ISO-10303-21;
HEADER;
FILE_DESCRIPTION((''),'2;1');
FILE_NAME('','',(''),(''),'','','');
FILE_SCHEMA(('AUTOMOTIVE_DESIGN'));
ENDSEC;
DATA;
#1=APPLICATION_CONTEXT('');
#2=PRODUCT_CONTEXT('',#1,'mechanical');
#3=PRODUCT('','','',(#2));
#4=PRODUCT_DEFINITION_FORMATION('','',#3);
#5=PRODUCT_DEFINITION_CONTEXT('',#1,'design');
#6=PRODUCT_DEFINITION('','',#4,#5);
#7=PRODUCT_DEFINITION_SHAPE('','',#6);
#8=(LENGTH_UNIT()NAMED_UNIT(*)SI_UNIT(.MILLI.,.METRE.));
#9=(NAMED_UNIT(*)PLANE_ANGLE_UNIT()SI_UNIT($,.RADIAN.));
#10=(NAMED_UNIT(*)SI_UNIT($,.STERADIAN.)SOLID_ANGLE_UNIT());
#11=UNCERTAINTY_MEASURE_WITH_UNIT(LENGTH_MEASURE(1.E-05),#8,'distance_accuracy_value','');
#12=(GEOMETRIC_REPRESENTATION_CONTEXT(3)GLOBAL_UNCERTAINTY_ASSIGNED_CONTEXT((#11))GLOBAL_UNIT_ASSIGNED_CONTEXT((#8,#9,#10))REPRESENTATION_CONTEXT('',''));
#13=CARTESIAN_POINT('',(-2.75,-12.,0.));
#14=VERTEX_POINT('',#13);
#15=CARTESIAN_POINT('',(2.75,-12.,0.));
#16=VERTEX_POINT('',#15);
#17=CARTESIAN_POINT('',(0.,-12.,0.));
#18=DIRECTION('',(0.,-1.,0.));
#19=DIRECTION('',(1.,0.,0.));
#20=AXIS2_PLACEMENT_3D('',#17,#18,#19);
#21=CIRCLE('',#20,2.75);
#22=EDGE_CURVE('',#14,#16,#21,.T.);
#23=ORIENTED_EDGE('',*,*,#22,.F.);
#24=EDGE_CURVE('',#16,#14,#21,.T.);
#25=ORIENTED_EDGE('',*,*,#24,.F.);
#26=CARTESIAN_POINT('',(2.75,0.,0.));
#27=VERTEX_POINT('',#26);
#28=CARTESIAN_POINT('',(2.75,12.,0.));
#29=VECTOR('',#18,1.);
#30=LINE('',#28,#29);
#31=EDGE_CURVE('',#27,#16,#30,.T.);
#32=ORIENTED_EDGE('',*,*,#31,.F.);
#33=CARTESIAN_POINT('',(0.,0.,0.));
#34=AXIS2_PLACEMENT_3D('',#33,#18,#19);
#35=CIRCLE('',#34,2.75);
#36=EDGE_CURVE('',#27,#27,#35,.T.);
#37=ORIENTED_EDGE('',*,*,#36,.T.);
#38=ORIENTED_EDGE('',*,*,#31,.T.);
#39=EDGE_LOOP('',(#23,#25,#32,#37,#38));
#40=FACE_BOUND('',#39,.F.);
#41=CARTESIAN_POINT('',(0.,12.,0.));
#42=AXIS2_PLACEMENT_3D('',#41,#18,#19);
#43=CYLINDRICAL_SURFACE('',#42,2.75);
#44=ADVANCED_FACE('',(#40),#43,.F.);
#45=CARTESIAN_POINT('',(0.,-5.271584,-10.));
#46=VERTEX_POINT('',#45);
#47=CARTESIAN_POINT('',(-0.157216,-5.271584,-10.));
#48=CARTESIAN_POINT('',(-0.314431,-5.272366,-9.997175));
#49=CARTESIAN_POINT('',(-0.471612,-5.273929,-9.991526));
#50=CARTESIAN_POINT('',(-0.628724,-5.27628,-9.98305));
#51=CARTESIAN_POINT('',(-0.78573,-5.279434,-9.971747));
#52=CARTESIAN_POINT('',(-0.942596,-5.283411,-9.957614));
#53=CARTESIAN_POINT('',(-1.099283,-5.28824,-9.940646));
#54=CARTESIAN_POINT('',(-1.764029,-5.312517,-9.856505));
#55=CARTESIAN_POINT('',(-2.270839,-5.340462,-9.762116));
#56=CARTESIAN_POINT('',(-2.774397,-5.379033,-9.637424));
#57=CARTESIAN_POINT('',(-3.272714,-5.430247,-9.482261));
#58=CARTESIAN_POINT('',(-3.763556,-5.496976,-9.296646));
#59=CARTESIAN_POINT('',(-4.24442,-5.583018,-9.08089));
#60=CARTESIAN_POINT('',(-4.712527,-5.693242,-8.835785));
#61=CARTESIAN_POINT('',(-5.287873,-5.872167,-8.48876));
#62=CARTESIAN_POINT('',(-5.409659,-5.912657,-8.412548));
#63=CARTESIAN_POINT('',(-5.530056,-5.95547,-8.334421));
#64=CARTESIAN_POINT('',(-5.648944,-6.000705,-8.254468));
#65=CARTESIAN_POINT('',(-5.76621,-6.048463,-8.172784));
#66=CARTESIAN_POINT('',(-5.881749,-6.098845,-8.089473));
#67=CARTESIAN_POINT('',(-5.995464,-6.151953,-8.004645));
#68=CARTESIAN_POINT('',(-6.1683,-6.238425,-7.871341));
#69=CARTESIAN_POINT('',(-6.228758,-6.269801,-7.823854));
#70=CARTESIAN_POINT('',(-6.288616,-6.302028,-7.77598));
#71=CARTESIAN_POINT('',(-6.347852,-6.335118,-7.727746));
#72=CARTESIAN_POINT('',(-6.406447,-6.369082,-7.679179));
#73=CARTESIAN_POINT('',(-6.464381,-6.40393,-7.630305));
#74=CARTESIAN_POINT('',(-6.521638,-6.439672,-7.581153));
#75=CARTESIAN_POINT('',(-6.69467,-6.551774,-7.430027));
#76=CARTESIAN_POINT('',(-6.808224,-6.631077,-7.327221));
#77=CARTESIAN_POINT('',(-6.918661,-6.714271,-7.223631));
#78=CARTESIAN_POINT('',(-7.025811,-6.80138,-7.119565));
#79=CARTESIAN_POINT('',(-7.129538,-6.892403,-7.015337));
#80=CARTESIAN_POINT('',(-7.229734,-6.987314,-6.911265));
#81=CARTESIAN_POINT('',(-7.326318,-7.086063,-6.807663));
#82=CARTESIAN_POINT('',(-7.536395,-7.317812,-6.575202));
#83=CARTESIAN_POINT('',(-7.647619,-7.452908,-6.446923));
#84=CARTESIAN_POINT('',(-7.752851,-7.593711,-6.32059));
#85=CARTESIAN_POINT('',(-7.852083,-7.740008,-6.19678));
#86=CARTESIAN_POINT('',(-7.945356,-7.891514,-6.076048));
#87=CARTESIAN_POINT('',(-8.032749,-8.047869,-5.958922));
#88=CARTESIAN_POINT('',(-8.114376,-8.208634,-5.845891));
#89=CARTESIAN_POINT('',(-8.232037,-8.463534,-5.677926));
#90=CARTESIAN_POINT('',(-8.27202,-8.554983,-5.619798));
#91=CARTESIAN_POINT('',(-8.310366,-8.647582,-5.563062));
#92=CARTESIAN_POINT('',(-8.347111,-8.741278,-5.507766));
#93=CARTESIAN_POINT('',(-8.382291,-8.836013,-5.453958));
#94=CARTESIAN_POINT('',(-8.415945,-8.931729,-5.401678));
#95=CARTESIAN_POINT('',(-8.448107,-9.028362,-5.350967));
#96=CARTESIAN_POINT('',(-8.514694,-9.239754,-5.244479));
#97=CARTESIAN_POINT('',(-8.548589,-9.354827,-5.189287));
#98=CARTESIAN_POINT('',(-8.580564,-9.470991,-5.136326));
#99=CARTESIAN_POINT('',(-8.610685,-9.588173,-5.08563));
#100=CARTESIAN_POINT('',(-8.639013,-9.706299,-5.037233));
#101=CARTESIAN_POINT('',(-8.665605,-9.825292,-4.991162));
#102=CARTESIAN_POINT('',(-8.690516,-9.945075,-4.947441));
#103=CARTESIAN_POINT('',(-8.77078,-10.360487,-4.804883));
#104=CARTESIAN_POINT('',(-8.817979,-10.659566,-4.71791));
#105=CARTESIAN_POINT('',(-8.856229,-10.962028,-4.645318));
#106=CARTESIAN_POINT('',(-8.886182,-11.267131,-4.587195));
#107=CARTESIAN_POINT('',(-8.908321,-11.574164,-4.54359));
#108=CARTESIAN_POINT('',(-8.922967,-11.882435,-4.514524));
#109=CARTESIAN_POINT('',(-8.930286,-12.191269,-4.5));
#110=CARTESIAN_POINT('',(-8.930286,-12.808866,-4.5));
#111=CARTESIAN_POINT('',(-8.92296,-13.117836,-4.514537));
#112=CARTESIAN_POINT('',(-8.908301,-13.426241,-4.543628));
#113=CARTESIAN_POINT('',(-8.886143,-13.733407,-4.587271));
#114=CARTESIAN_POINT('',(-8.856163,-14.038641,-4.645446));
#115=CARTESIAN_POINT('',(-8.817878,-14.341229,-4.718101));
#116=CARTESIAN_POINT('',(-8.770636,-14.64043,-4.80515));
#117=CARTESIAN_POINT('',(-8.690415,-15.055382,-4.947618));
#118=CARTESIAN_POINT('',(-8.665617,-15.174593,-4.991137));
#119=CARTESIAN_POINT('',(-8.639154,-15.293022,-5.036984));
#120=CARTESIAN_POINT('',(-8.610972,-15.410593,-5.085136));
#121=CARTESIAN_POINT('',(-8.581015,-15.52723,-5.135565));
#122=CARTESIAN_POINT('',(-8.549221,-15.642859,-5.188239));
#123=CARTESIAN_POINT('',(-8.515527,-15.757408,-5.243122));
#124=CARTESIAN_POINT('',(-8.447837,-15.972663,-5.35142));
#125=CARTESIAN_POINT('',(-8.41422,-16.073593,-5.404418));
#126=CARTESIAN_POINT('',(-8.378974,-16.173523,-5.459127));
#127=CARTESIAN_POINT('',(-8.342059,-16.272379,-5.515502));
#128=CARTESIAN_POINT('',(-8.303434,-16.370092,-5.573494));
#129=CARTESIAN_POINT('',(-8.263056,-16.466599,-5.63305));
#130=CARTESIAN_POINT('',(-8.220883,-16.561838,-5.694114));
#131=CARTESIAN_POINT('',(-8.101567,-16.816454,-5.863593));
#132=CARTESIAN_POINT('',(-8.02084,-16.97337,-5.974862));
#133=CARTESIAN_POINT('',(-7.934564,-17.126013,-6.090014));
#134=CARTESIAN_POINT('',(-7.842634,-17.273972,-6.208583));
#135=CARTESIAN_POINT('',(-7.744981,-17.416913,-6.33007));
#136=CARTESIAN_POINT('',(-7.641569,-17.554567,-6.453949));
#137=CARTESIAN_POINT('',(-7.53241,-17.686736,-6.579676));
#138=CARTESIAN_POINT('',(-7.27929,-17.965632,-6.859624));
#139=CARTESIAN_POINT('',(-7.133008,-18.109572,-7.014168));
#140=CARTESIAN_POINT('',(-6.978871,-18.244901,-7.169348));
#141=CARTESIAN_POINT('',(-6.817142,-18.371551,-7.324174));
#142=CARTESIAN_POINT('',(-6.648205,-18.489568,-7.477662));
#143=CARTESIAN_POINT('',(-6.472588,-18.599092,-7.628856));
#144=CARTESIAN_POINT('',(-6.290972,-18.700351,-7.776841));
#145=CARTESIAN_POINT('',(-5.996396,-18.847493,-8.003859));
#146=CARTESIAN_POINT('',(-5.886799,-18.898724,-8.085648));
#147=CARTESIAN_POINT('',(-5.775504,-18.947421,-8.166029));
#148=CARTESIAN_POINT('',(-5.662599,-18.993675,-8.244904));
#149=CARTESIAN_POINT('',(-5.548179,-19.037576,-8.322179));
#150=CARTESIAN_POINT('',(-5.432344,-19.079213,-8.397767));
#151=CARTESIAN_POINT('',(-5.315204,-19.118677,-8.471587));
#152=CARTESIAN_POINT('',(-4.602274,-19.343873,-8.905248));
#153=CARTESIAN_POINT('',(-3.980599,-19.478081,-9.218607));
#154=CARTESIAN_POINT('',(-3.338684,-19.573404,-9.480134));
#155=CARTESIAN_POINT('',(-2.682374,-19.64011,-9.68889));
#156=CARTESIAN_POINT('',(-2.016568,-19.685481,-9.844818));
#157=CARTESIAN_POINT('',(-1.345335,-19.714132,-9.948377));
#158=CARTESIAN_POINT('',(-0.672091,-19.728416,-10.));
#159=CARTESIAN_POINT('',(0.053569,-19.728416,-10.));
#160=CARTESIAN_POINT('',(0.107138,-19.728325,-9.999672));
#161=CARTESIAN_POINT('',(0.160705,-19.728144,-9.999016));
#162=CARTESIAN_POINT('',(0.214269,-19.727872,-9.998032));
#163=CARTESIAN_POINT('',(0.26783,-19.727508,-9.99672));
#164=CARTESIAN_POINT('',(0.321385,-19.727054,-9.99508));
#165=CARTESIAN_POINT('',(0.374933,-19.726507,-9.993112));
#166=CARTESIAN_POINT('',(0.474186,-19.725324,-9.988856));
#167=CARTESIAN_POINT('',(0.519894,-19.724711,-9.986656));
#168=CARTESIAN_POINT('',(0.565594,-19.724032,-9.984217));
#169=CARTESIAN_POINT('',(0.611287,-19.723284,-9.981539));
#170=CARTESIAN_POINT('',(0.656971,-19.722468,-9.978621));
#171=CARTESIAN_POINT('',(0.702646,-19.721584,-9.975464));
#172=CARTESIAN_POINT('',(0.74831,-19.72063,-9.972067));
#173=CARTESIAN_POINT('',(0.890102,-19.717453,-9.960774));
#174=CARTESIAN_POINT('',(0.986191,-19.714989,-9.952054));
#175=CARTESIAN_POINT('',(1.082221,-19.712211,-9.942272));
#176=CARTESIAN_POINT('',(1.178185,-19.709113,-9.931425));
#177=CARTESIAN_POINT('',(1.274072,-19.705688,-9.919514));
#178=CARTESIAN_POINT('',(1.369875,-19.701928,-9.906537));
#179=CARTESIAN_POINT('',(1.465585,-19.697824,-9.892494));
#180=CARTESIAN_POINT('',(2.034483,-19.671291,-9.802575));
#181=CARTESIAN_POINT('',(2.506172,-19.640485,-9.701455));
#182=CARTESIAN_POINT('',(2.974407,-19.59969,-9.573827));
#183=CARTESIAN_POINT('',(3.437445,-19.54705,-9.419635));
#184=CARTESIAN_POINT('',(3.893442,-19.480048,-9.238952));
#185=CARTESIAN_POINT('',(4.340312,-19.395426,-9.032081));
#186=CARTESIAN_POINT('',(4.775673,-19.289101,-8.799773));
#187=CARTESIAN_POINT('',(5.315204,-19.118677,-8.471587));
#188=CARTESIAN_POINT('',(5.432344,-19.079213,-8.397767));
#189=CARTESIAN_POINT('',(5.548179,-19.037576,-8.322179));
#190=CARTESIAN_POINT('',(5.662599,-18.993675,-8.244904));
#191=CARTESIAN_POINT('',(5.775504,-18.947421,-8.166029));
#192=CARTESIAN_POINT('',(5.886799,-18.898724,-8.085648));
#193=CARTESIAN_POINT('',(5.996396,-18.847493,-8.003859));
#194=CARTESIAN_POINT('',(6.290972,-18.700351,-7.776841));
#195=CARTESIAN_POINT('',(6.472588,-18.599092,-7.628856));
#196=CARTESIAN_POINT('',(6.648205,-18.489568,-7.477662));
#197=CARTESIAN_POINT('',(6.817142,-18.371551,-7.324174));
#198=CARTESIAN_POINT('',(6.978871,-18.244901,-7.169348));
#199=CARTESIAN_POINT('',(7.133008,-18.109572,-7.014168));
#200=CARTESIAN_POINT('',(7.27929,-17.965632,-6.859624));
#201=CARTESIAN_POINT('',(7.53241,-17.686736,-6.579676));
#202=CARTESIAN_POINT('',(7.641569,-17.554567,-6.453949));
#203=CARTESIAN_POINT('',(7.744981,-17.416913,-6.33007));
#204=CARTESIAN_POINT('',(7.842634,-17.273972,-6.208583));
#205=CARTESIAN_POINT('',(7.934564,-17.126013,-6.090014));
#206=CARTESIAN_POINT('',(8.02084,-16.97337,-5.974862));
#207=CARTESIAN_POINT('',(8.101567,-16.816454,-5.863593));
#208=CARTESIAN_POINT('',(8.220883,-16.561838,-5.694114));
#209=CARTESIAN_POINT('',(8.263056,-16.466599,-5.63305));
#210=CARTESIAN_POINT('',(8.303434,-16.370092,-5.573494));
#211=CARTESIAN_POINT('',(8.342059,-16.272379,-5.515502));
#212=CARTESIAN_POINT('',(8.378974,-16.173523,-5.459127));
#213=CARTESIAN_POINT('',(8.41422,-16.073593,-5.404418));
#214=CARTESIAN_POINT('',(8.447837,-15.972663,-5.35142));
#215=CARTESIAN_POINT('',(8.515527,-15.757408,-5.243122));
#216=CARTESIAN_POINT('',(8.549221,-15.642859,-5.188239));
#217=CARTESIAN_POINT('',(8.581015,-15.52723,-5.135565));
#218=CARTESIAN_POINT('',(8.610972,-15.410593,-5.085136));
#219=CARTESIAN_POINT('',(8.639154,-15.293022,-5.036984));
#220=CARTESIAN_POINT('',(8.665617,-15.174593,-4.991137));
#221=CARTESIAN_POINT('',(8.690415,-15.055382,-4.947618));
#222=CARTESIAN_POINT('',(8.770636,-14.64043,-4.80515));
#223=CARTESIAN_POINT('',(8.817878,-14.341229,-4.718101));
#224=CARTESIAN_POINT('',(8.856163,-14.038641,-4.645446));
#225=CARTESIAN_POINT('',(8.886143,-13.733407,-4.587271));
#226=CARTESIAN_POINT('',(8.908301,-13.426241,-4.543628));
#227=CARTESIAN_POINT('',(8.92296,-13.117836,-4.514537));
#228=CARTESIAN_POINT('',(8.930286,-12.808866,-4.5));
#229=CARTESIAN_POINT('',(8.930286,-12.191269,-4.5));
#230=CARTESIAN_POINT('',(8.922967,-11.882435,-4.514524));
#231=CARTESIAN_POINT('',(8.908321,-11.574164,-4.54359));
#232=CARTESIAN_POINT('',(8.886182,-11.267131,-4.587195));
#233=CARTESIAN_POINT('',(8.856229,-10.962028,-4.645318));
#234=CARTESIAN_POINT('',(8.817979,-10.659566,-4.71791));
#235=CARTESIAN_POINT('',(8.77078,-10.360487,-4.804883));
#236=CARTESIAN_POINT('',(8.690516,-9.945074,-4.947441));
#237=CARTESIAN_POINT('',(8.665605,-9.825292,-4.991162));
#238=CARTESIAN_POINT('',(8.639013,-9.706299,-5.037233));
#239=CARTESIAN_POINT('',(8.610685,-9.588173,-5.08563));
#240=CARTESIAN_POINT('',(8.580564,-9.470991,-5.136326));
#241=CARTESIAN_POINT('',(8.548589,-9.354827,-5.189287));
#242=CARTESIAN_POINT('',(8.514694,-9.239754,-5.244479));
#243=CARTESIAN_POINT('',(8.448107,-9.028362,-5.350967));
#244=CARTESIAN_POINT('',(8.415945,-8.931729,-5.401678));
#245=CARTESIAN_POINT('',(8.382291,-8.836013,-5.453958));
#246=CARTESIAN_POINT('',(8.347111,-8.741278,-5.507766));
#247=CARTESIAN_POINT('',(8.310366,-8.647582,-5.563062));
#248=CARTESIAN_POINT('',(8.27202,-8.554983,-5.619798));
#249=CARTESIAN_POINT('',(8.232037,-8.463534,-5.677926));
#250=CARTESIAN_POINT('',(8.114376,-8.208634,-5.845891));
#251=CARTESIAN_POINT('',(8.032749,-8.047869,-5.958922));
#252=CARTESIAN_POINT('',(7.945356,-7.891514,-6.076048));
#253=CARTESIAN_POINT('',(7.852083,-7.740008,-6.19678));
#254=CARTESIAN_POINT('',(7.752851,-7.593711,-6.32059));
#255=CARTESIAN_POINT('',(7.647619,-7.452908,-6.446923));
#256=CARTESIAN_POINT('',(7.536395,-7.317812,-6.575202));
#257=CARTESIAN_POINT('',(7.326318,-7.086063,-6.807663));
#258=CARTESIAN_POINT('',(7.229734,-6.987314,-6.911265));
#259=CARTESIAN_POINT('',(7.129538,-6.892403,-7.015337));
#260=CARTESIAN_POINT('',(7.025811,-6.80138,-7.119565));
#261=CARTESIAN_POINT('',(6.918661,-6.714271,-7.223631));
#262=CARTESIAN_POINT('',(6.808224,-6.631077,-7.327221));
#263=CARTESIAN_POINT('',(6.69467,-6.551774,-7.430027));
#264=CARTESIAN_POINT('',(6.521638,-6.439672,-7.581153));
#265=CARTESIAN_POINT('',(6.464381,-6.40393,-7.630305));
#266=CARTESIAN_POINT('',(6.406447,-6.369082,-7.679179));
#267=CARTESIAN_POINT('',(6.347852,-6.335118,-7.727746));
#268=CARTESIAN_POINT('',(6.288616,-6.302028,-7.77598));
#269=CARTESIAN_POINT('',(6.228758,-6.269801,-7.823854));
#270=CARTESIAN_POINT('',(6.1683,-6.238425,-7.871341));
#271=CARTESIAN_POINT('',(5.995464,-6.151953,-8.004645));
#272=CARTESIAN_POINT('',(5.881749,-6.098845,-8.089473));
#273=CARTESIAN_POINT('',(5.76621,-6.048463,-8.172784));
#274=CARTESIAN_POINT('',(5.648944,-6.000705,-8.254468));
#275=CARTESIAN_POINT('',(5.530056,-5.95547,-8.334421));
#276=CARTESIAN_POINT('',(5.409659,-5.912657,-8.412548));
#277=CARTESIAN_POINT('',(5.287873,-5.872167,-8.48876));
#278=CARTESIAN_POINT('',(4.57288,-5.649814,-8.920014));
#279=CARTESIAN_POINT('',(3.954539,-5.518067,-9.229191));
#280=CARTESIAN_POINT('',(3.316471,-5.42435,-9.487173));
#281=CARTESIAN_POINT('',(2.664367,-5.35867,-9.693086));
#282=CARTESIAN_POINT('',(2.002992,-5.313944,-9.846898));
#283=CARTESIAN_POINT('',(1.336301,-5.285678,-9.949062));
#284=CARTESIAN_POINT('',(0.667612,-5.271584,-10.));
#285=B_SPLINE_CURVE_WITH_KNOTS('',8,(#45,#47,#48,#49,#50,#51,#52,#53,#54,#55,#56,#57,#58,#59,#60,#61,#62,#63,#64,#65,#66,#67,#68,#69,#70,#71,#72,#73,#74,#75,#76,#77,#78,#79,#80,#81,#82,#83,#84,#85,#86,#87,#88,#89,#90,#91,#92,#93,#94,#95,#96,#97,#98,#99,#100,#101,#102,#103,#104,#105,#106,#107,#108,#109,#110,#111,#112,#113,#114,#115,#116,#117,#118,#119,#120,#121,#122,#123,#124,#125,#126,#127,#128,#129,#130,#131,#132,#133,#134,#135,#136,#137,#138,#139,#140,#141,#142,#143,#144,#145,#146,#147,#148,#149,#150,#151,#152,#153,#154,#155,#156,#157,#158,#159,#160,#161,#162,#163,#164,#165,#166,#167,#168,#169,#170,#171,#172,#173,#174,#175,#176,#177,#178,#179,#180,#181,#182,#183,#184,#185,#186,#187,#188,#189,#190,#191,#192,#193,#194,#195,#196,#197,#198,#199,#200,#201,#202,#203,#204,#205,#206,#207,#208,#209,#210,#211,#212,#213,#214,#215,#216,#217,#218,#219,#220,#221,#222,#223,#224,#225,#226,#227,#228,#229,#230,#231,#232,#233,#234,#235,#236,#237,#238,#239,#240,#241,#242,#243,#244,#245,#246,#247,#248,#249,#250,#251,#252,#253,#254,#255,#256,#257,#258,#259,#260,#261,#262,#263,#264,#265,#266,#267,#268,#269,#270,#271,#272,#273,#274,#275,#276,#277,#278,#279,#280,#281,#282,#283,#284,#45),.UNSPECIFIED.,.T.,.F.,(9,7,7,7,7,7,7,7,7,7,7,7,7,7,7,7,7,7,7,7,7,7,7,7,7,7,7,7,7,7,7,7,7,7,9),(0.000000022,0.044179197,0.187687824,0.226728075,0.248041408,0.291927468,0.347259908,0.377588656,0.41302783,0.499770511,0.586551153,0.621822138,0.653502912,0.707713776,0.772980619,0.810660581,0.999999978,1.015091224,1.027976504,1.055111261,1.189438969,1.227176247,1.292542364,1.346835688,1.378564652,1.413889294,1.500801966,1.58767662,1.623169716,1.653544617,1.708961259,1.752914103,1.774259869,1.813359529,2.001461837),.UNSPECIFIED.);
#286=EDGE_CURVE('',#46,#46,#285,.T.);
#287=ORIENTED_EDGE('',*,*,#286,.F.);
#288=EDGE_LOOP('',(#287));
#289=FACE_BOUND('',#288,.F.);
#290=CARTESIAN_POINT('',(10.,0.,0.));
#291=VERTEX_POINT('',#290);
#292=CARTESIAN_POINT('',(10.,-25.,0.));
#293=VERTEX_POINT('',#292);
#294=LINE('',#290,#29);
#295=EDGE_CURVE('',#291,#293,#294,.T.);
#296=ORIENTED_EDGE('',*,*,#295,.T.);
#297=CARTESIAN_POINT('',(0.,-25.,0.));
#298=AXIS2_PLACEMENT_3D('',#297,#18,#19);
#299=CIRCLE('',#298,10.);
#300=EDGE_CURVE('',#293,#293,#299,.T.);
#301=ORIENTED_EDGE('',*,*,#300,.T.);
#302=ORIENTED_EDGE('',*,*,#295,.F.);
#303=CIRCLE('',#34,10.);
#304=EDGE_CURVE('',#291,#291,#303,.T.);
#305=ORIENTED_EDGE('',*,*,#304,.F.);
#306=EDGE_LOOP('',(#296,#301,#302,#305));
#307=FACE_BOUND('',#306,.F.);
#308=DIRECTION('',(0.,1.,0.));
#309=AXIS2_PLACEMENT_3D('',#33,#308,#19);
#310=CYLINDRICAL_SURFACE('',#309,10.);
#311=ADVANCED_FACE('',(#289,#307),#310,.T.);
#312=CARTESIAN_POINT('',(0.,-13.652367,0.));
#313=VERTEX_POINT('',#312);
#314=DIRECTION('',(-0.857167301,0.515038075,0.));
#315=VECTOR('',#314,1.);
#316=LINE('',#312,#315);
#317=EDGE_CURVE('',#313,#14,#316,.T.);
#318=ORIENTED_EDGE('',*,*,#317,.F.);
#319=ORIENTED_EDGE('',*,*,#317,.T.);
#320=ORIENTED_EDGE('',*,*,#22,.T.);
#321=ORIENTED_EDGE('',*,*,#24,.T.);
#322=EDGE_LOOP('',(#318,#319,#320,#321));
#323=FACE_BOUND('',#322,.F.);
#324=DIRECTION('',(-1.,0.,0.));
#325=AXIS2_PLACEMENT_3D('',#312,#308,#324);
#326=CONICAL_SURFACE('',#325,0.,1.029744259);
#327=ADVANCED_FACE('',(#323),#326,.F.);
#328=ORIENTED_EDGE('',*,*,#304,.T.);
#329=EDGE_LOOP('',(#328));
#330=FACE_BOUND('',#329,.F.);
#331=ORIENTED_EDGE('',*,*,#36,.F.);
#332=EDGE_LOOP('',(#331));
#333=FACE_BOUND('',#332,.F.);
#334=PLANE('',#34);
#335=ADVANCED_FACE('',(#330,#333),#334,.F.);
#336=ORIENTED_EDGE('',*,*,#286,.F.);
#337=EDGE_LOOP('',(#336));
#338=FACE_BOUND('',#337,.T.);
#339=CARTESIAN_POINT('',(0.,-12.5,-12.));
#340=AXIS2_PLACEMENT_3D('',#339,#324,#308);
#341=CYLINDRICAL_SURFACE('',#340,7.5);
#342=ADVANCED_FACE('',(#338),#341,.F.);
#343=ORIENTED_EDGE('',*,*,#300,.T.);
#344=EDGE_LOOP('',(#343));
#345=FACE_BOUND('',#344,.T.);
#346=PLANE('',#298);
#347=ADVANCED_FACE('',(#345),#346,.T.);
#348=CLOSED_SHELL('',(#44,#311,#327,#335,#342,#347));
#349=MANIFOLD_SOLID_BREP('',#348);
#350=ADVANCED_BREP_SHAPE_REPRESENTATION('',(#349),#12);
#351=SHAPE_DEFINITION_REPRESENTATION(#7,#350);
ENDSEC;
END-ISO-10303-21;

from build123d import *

# Parameters (mm, degrees)
F0_R          = 10
F1_DEPTH      = 25
F2_R          = 7.5
F3_DEPTH      = 10.001
F3_DEPTH_BACK = 10.001
F5_D          = 5.5
F5_DEPTH      = 12
F5_TIP        = 1.6523667023


with BuildPart() as f1:
    # F0 (on Front) → F1 (new body)
    with BuildSketch(Plane.XZ):
        Circle(F0_R)
    extrude(amount=F1_DEPTH)

    # F2 (on Right) → F3 (cut, two sides)
    with BuildSketch(Plane.YZ) as f3_sk:
        with Locations((-12.5, -12)):
            Circle(F2_R)
    extrude(amount=F3_DEPTH, mode=Mode.SUBTRACT)
    extrude(f3_sk.sketch, amount=-F3_DEPTH_BACK, mode=Mode.SUBTRACT)

    # F5
    with Locations(Plane(origin=(0, 0, 0), x_dir=(-1, 0, 0), z_dir=(0, 1, 0))):
        with Locations((0, 0)):
            Hole(F5_D / 2, depth=F5_DEPTH)
            with Locations((0, 0, -(F5_DEPTH + F5_TIP / 2))):  # 118° drill point
                Cone(0, F5_D / 2, F5_TIP, mode=Mode.SUBTRACT)


solid = f1.part
